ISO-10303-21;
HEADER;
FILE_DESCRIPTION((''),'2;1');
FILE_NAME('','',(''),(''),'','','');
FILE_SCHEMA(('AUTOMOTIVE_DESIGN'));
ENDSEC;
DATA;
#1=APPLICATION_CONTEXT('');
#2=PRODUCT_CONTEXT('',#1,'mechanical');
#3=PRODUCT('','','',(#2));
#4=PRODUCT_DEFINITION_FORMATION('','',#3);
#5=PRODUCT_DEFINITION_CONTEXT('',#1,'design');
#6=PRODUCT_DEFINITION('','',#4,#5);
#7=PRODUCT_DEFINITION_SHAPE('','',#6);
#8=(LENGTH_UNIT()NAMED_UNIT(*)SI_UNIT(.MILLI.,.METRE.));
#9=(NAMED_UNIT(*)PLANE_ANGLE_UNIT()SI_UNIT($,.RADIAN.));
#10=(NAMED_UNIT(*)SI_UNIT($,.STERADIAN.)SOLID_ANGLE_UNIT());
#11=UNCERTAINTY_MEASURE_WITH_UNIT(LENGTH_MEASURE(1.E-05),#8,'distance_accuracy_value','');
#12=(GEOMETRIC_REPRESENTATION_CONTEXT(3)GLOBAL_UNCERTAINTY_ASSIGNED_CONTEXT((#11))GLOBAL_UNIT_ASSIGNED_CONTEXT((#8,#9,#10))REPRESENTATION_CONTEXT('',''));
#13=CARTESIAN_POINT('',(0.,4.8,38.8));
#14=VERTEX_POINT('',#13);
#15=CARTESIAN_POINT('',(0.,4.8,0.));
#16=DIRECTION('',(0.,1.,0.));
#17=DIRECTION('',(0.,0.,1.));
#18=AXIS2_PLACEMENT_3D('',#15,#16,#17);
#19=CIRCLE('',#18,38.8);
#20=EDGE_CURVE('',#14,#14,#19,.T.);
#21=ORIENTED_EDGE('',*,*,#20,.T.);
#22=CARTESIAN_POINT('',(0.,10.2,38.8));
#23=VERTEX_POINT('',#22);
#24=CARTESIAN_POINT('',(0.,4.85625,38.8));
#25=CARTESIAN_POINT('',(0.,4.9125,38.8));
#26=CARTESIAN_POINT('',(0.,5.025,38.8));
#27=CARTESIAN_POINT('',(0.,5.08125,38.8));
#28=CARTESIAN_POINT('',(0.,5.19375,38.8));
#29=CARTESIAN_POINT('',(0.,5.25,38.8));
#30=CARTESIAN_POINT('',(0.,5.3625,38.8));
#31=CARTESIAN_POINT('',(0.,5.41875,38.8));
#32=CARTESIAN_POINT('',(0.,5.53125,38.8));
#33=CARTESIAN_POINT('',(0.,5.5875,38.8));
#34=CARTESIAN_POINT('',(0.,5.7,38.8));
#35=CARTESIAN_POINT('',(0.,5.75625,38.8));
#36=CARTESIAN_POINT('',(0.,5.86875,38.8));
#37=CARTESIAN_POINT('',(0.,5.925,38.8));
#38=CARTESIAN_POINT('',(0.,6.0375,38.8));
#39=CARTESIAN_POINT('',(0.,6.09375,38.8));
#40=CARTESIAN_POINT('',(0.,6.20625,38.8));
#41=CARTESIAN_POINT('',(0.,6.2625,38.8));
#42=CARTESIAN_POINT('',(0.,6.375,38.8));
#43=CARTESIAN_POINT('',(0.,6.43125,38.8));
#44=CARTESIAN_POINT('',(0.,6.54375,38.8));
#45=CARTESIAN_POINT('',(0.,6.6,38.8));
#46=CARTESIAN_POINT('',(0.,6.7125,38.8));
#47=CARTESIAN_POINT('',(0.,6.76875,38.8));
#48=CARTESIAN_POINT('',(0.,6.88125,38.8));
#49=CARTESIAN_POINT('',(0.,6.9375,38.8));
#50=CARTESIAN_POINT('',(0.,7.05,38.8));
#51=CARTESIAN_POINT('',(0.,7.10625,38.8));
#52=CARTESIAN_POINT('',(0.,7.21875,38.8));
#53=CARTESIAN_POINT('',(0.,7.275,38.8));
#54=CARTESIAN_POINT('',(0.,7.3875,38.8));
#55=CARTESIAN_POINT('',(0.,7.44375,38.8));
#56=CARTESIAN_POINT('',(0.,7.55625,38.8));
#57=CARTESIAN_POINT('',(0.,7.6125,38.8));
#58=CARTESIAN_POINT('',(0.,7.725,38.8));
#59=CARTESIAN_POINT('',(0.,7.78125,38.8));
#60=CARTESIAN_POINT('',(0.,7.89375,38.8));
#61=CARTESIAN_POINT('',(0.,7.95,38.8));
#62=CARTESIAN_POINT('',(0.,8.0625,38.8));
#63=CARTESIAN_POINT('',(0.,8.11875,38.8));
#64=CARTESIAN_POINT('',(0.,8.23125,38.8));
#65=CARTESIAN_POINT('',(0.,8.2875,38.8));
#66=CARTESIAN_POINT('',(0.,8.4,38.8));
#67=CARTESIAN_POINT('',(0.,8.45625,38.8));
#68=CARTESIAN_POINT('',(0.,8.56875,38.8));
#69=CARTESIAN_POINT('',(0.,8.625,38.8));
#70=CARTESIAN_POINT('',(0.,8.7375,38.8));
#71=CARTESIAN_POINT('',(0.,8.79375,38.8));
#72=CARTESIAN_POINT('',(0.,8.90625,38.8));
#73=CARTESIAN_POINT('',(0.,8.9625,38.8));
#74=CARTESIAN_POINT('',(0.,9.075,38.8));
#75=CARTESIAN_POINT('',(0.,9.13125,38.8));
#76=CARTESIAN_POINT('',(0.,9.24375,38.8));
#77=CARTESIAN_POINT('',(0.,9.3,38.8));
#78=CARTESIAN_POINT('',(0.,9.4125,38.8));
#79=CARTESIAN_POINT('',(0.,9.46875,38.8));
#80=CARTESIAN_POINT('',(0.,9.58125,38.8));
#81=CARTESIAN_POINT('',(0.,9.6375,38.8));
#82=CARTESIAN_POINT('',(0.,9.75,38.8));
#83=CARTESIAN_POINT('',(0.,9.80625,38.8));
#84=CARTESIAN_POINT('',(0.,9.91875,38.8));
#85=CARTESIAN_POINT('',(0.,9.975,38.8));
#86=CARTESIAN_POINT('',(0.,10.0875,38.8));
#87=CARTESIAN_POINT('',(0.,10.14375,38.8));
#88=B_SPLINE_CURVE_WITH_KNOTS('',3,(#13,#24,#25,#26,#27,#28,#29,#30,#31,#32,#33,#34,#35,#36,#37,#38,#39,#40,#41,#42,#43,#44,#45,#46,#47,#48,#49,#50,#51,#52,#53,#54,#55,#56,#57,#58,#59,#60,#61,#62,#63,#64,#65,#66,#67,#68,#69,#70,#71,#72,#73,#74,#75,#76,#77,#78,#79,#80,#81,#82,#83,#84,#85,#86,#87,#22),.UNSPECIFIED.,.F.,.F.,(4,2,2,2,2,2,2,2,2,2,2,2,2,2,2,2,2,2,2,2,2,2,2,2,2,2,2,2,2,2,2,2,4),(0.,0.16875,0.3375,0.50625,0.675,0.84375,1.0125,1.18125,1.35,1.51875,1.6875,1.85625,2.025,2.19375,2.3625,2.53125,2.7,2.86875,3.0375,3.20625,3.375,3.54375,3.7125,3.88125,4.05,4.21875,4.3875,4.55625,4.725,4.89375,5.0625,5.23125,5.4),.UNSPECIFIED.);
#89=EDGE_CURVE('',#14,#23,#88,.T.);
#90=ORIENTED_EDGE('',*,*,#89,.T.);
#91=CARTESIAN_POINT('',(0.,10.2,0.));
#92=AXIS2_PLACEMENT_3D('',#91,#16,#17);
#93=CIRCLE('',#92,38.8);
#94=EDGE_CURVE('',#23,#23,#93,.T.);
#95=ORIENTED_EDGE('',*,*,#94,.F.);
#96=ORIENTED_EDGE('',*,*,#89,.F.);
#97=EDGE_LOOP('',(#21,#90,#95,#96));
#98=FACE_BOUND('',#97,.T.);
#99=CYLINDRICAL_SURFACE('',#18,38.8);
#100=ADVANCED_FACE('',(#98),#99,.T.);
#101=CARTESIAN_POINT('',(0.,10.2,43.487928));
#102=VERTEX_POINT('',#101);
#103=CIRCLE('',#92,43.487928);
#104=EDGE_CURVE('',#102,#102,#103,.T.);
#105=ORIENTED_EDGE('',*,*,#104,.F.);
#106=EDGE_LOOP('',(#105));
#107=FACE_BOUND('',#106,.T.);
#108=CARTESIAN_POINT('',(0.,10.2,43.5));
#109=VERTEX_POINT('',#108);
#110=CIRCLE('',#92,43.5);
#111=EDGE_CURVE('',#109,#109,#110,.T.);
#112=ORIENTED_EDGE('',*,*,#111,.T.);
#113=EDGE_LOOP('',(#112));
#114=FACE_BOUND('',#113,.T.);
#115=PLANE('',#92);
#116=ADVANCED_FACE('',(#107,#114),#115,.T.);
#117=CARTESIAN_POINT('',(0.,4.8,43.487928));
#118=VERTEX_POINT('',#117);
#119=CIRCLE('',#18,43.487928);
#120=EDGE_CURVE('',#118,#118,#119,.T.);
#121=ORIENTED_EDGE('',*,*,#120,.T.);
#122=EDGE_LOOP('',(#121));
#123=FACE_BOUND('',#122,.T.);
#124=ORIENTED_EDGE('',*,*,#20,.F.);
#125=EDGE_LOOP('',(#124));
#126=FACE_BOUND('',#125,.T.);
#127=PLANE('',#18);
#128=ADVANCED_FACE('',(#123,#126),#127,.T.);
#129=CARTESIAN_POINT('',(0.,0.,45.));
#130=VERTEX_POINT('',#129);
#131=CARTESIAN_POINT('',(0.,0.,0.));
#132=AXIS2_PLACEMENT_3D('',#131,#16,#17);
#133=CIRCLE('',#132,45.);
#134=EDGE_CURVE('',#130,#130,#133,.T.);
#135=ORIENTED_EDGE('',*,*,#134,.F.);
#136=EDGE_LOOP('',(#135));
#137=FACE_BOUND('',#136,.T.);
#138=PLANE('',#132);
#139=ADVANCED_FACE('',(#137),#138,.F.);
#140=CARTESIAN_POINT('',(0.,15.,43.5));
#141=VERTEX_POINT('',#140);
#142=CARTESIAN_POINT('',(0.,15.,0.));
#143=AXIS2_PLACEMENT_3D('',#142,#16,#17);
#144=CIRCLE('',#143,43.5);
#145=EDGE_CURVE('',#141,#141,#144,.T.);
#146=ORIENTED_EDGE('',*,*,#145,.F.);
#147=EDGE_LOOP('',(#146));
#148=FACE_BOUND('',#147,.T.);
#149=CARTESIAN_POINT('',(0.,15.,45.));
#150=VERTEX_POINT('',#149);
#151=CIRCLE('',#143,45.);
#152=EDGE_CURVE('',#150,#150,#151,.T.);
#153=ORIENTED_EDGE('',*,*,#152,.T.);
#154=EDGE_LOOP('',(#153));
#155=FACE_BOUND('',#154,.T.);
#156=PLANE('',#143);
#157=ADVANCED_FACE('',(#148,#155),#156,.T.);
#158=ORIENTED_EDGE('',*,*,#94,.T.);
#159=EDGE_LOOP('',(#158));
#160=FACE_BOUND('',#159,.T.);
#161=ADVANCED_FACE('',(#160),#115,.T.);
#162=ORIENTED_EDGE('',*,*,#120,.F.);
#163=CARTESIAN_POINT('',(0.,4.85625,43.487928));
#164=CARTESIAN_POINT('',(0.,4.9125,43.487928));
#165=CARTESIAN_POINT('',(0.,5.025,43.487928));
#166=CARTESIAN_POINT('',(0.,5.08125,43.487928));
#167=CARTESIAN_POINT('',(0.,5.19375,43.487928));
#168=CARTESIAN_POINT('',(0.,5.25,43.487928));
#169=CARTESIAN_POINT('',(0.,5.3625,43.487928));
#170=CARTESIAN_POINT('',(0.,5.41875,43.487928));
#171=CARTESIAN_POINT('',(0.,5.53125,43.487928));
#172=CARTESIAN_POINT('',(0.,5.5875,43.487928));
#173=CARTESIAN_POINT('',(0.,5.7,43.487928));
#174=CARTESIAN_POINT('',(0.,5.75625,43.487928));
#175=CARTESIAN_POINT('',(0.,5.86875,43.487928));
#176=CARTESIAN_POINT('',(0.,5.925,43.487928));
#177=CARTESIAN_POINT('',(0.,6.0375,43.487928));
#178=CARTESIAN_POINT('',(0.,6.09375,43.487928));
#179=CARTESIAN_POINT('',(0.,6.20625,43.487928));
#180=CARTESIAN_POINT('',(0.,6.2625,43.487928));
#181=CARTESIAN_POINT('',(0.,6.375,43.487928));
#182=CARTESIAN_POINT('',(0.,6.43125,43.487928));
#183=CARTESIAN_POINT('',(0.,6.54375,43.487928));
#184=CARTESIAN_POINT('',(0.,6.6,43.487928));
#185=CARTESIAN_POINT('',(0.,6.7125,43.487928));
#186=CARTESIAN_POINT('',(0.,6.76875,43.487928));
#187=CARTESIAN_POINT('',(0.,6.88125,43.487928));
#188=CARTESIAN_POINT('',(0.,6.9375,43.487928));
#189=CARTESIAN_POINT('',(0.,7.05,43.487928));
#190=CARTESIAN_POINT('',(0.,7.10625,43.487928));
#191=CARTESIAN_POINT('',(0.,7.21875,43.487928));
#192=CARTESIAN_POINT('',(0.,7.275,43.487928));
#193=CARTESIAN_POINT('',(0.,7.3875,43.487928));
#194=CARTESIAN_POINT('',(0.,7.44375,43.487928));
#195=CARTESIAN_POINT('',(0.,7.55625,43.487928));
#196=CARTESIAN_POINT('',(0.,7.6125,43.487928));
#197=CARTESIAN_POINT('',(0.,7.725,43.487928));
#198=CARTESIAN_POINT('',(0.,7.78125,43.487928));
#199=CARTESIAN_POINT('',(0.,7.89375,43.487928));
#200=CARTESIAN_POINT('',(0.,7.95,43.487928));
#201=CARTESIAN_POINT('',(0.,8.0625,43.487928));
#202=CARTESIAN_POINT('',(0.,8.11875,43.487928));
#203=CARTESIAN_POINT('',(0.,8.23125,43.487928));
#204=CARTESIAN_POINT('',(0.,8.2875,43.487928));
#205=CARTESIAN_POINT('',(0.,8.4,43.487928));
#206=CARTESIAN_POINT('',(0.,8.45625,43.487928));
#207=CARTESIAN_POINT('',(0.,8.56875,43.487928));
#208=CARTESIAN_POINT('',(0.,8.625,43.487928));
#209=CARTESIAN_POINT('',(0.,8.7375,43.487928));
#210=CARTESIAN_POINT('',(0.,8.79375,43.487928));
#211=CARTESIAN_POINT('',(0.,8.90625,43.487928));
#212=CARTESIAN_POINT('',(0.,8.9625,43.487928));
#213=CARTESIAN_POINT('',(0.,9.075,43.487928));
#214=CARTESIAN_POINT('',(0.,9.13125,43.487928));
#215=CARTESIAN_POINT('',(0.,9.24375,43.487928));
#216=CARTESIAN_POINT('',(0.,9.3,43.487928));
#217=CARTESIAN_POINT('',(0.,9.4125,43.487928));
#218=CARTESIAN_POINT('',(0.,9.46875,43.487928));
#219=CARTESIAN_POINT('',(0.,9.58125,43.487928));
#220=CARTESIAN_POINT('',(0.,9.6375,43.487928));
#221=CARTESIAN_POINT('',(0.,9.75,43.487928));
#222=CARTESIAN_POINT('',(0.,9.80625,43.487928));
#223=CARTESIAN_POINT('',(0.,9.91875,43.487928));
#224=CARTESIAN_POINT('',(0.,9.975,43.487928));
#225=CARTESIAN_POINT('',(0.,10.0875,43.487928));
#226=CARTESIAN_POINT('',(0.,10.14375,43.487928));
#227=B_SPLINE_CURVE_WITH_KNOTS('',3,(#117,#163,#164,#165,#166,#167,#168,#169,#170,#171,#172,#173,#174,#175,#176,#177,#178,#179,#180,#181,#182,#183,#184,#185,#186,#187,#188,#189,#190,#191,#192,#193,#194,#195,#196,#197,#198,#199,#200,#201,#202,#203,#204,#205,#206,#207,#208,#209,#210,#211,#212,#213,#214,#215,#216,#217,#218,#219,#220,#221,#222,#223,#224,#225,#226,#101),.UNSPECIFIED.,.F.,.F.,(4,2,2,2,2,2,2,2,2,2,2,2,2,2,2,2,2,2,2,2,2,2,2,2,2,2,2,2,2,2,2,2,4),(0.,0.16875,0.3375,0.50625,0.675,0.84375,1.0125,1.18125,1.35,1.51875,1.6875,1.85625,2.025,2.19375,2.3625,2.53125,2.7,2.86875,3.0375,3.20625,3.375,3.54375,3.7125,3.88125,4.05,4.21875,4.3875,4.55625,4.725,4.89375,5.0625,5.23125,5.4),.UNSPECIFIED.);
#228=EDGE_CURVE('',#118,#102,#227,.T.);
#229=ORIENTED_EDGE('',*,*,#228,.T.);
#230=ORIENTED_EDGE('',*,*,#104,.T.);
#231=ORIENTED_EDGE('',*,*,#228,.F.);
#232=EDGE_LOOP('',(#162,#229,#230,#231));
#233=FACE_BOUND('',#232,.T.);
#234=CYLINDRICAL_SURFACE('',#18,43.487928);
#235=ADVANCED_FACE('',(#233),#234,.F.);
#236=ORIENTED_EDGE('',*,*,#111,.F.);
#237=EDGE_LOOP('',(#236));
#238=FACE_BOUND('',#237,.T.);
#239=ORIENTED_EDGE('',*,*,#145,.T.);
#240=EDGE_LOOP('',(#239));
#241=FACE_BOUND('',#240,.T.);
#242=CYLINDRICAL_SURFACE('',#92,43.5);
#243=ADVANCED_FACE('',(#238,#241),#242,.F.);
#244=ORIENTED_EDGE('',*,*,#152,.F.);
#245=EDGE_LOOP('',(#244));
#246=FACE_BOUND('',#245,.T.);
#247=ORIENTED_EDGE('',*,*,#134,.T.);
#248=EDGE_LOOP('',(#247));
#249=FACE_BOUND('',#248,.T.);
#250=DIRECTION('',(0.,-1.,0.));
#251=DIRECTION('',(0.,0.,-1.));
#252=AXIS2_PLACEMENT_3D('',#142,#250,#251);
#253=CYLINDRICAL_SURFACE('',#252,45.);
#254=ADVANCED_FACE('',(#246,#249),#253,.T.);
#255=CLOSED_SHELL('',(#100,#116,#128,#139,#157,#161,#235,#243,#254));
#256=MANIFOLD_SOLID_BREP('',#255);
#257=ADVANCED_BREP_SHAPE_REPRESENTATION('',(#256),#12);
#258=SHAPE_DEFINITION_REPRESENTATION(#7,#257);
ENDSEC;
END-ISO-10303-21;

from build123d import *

# Parameters (mm, degrees)
SKETCH1_R           = 45
BOSS_EXTRUDE1_DEPTH = 15
SKETCH2_R           = 43.5
CUT_EXTRUDE1_DEPTH  = 4.8
SKETCH3_R           = 43.487927738
SKETCH3_R_2         = 38.8
CUT_EXTRUDE2_DEPTH  = 5.4


with BuildPart() as part:
    # Sketch1 → Boss-Extrude1 (new body)
    with BuildSketch(Plane(origin=(0, 0, 0), x_dir=(1, 0, 0), z_dir=(0, 1, 0))):
        with Locations(Location((0, 0, 0), (0, 0, 270))):
            Circle(SKETCH1_R)
    extrude(amount=BOSS_EXTRUDE1_DEPTH)

    # Sketch2 → Cut-Extrude1 (cut)
    with BuildSketch(Plane(origin=(0, 15, 0), x_dir=(1, 0, 0), z_dir=(0, 1, 0))):
        with Locations(Location((0, 0, 0), (0, 0, 270))):
            Circle(SKETCH2_R)
    extrude(amount=-CUT_EXTRUDE1_DEPTH, mode=Mode.SUBTRACT)

    # Sketch3 → Cut-Extrude2 (cut)
    with BuildSketch(Plane(origin=(0, 10.2, 0), x_dir=(1, 0, 0), z_dir=(0, 1, 0))):
        with Locations(Location((0, 0, 0), (0, 0, 270))):
            Circle(SKETCH3_R)
        with Locations(Location((0, 0, 0), (0, 0, 270))):
            Circle(SKETCH3_R_2, mode=Mode.SUBTRACT)
    extrude(amount=-CUT_EXTRUDE2_DEPTH, mode=Mode.SUBTRACT)


solid = part.part
